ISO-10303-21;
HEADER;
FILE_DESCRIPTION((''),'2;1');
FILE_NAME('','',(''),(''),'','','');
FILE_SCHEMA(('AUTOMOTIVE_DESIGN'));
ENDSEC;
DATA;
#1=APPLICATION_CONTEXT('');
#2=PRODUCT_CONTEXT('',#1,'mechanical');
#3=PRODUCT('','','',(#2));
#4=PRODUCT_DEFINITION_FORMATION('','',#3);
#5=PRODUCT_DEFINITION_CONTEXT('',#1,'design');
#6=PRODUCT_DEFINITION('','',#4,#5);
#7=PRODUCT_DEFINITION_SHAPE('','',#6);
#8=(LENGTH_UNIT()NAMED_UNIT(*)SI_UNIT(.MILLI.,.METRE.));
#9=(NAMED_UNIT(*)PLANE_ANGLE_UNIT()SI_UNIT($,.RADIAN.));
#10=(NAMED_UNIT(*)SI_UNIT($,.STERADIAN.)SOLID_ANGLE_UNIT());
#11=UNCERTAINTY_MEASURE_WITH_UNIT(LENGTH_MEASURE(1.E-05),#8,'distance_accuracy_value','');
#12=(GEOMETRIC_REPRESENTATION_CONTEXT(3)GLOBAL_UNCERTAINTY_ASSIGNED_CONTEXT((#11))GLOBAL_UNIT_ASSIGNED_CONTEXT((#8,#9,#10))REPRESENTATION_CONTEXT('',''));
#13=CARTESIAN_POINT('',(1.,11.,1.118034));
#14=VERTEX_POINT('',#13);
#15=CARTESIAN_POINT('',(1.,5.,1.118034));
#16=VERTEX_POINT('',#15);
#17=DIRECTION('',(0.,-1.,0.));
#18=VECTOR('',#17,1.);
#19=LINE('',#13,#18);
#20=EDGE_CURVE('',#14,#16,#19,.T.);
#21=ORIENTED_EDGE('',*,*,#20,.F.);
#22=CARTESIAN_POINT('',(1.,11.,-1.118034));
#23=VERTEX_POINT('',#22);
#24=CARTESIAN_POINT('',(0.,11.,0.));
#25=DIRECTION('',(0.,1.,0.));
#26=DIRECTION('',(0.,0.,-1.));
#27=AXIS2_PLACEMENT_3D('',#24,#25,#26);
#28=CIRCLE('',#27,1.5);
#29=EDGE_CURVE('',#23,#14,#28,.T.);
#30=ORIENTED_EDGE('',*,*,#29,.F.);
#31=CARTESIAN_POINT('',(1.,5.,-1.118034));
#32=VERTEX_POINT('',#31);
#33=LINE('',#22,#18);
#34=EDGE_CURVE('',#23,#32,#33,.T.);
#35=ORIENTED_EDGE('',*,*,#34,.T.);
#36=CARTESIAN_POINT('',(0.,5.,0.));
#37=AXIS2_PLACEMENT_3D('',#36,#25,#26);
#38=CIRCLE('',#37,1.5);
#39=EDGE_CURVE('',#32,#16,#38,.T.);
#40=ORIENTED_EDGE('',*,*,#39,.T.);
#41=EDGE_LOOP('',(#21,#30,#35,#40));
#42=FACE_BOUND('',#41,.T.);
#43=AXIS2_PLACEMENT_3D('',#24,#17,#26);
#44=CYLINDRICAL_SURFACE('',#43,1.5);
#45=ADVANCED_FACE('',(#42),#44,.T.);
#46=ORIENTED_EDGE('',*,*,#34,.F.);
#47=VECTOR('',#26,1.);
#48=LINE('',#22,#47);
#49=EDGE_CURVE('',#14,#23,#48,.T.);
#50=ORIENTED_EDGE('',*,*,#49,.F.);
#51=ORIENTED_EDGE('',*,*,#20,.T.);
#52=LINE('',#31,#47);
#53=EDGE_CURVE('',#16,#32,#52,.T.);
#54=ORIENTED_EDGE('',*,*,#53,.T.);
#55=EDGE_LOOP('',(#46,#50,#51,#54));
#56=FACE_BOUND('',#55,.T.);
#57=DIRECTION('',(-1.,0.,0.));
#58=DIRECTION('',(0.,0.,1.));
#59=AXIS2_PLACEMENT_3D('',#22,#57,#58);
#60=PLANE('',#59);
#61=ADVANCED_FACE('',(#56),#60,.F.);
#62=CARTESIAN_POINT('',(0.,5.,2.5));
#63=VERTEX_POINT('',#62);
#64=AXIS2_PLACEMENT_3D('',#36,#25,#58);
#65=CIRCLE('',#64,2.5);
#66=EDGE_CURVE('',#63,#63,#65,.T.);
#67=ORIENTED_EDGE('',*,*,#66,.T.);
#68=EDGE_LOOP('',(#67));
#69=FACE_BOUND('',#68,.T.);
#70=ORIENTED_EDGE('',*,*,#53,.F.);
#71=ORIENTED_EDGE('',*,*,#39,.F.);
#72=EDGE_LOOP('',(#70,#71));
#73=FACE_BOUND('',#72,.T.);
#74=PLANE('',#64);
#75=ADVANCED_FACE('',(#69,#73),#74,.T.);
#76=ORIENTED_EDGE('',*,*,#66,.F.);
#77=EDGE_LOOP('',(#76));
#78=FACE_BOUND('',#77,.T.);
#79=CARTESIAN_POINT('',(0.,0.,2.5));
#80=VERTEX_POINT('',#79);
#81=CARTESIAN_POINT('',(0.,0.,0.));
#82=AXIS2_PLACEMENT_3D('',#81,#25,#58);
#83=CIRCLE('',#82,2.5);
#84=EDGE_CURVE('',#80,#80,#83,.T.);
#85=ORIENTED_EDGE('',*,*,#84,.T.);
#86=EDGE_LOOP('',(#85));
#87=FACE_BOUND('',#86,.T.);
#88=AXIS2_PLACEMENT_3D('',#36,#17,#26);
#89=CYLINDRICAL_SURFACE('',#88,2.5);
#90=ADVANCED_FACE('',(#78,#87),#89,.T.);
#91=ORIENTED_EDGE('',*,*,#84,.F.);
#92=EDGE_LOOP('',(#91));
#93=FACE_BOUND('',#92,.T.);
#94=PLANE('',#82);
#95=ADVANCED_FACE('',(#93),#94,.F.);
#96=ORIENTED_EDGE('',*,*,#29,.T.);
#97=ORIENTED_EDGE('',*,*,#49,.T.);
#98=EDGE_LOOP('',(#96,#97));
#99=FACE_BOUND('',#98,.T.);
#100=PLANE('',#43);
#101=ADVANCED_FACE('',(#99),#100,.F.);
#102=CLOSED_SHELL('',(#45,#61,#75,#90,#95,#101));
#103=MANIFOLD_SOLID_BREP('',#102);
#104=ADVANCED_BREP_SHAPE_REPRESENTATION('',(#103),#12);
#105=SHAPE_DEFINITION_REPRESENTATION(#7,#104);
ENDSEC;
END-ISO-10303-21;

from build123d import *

# Parameters (mm, degrees)
SKETCH_1_R      = 2.5
EXTRUDE_1_DEPTH = 5
EXTRUDE_2_DEPTH = 6


with BuildPart() as part:
    # 草图1 → 凸台-拉伸1 (new body)
    with BuildSketch(Plane(origin=(0, 0, 0), x_dir=(1, 0, 0), z_dir=(0, 1, 0))):
        with Locations(Location((0, 0, 0), (0, 0, 270))):
            Circle(SKETCH_1_R)
    extrude(amount=EXTRUDE_1_DEPTH)

    # 草图2 → 凸台-拉伸2 (add)
    with BuildSketch(Plane(origin=(0, 5, 0), x_dir=(1, 0, 0), z_dir=(0, 1, 0))):
        with BuildLine():
            Line((1, 1.118033989), (1, -1.118033989))
            ThreePointArc((1, -1.118033989), (-1.5, 0), (1, 1.118033989))
        make_face()
    extrude(amount=EXTRUDE_2_DEPTH)


solid = part.part
